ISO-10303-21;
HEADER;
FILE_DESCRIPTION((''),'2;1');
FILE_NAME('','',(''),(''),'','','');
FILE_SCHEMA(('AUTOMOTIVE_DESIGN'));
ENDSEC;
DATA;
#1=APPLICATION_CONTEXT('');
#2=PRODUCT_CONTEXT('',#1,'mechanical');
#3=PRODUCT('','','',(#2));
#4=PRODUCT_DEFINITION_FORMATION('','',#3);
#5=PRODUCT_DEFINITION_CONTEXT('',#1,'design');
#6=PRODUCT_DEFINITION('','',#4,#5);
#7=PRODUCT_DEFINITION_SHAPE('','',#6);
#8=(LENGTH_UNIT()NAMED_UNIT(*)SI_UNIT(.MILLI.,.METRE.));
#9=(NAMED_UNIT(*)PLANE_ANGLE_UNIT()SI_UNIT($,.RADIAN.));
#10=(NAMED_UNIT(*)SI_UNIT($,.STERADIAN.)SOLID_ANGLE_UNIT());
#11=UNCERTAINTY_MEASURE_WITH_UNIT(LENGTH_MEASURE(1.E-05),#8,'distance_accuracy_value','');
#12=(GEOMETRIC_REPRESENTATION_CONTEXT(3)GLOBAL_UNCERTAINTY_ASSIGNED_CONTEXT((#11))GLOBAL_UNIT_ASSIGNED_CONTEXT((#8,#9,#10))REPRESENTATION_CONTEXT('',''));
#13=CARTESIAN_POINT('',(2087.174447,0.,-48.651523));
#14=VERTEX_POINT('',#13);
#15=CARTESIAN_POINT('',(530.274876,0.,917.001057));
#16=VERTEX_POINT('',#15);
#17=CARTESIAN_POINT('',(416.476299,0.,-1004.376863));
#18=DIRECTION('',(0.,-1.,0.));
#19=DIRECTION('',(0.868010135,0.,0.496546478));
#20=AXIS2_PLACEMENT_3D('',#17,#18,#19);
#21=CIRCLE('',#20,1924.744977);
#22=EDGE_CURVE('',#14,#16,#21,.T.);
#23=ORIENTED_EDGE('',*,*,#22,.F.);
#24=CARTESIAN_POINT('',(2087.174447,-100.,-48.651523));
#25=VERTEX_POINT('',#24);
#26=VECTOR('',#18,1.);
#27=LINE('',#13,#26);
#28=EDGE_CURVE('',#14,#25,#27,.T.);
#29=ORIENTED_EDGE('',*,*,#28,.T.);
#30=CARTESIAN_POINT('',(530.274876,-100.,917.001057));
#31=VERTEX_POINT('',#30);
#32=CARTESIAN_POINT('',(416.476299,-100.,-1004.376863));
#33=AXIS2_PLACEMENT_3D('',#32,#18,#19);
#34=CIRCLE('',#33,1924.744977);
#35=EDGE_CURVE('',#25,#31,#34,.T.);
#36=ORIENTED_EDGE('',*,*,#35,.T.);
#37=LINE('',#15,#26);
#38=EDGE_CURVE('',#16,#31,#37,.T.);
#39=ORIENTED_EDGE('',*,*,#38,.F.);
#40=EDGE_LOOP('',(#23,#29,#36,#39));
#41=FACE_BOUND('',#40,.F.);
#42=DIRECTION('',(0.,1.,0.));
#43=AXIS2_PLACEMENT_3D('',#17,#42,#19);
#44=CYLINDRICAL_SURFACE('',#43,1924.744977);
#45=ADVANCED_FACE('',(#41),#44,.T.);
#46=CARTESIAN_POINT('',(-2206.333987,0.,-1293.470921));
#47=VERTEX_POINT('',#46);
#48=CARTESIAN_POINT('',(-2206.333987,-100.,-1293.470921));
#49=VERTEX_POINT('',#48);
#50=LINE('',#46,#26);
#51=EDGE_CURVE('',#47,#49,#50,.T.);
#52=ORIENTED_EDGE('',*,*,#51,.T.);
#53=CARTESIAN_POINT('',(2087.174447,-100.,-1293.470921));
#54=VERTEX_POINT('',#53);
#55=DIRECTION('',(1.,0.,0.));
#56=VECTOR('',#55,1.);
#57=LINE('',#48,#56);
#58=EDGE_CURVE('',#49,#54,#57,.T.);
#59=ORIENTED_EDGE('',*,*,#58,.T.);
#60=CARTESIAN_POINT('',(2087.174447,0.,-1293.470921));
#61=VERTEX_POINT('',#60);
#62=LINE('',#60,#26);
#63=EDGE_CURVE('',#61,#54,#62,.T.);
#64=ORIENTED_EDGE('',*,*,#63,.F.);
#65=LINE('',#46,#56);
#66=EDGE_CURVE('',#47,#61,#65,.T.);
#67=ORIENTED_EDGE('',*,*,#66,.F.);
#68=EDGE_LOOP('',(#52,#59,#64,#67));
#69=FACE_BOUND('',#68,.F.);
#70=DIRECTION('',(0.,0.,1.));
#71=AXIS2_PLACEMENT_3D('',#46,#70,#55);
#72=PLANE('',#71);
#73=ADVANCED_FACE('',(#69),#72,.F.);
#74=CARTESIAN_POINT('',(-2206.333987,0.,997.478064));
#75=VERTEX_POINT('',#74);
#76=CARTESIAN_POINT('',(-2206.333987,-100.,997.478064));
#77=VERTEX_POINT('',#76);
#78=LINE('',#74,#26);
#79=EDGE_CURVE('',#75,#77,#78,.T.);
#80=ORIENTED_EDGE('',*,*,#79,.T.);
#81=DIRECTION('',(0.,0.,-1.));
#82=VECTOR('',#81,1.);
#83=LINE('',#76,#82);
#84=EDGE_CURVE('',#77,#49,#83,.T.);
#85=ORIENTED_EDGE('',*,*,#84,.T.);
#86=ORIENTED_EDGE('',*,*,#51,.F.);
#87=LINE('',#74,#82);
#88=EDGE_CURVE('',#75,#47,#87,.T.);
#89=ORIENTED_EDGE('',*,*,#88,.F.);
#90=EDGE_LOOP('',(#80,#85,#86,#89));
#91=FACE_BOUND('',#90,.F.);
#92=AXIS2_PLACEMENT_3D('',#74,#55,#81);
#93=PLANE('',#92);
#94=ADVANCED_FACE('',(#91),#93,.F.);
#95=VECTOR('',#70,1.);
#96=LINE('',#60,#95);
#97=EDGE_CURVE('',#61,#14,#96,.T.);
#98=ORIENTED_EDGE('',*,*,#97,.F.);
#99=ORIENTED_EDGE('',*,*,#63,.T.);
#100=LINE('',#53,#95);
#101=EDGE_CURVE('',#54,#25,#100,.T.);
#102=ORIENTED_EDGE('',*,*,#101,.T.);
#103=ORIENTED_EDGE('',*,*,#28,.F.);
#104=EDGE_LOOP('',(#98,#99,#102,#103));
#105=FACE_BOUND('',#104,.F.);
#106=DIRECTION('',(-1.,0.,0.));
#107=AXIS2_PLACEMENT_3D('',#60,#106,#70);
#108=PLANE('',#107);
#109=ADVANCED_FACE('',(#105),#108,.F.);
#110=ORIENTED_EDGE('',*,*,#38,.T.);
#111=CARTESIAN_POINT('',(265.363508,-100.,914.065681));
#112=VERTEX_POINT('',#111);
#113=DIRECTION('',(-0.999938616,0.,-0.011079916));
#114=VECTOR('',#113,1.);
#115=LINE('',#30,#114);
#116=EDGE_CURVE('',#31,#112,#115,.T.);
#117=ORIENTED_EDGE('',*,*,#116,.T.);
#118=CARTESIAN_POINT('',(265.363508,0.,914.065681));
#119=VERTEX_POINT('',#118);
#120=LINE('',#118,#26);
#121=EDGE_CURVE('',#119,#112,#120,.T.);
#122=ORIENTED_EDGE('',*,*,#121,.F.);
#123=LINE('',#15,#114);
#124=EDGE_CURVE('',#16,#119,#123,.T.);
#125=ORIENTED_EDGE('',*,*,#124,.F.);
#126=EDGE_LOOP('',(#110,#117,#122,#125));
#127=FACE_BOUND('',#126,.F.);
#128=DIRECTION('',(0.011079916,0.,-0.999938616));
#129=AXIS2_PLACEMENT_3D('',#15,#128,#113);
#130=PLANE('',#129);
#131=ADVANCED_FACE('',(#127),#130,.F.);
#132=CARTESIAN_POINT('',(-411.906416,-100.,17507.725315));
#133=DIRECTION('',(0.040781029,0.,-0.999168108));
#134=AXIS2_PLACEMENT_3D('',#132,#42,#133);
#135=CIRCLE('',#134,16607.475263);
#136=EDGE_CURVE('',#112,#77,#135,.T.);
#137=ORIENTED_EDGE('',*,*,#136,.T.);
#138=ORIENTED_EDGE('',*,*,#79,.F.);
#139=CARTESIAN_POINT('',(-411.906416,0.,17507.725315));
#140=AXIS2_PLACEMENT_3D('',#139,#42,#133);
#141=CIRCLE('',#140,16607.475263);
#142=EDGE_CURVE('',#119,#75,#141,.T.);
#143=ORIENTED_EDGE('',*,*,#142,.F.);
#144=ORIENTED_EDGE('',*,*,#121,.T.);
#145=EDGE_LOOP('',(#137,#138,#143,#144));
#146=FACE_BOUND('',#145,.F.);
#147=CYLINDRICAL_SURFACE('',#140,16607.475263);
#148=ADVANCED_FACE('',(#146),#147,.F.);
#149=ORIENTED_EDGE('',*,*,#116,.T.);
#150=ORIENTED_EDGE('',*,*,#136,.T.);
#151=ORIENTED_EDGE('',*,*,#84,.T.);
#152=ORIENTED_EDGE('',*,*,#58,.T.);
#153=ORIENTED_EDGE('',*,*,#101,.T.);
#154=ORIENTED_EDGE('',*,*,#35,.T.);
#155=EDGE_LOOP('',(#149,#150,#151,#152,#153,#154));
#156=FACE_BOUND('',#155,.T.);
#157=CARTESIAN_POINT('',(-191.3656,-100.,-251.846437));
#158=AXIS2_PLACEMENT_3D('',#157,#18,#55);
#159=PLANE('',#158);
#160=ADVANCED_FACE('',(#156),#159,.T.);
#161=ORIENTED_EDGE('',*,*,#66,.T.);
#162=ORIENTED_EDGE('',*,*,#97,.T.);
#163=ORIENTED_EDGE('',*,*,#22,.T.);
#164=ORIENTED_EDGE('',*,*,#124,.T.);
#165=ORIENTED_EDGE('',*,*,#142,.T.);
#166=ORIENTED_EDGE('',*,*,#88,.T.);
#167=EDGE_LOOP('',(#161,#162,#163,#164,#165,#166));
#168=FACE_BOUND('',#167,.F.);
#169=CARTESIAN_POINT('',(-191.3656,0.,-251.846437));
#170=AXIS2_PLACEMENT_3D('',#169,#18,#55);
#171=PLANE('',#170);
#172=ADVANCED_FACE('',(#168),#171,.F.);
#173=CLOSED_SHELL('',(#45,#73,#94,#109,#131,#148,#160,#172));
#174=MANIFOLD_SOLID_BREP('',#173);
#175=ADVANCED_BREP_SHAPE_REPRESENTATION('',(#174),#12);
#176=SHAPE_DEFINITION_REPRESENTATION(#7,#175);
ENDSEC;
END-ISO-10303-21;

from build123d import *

# Parameters (mm, degrees)
F1_DEPTH = 100


with BuildPart() as f1:
    # F0 (on Front) → F1 (new body)
    with BuildSketch(Plane.XZ):
        with BuildLine():
            Line((2087.174447, -1293.470921), (2087.174447, -48.651523))
            ThreePointArc((2087.174447, -48.651523), (1430.985228, 631.292682), (530.274876, 917.001057))
            Line((530.274876, 917.001057), (265.363508, 914.065681))
            ThreePointArc((265.363508, 914.065681), (-972.040068, 909.698779), (-2206.333987, 997.478064))
            Line((-2206.333987, 997.478064), (-2206.333987, -1293.470921))
            Line((-2206.333987, -1293.470921), (2087.174447, -1293.470921))
        make_face()
    extrude(amount=F1_DEPTH)


solid = f1.part
